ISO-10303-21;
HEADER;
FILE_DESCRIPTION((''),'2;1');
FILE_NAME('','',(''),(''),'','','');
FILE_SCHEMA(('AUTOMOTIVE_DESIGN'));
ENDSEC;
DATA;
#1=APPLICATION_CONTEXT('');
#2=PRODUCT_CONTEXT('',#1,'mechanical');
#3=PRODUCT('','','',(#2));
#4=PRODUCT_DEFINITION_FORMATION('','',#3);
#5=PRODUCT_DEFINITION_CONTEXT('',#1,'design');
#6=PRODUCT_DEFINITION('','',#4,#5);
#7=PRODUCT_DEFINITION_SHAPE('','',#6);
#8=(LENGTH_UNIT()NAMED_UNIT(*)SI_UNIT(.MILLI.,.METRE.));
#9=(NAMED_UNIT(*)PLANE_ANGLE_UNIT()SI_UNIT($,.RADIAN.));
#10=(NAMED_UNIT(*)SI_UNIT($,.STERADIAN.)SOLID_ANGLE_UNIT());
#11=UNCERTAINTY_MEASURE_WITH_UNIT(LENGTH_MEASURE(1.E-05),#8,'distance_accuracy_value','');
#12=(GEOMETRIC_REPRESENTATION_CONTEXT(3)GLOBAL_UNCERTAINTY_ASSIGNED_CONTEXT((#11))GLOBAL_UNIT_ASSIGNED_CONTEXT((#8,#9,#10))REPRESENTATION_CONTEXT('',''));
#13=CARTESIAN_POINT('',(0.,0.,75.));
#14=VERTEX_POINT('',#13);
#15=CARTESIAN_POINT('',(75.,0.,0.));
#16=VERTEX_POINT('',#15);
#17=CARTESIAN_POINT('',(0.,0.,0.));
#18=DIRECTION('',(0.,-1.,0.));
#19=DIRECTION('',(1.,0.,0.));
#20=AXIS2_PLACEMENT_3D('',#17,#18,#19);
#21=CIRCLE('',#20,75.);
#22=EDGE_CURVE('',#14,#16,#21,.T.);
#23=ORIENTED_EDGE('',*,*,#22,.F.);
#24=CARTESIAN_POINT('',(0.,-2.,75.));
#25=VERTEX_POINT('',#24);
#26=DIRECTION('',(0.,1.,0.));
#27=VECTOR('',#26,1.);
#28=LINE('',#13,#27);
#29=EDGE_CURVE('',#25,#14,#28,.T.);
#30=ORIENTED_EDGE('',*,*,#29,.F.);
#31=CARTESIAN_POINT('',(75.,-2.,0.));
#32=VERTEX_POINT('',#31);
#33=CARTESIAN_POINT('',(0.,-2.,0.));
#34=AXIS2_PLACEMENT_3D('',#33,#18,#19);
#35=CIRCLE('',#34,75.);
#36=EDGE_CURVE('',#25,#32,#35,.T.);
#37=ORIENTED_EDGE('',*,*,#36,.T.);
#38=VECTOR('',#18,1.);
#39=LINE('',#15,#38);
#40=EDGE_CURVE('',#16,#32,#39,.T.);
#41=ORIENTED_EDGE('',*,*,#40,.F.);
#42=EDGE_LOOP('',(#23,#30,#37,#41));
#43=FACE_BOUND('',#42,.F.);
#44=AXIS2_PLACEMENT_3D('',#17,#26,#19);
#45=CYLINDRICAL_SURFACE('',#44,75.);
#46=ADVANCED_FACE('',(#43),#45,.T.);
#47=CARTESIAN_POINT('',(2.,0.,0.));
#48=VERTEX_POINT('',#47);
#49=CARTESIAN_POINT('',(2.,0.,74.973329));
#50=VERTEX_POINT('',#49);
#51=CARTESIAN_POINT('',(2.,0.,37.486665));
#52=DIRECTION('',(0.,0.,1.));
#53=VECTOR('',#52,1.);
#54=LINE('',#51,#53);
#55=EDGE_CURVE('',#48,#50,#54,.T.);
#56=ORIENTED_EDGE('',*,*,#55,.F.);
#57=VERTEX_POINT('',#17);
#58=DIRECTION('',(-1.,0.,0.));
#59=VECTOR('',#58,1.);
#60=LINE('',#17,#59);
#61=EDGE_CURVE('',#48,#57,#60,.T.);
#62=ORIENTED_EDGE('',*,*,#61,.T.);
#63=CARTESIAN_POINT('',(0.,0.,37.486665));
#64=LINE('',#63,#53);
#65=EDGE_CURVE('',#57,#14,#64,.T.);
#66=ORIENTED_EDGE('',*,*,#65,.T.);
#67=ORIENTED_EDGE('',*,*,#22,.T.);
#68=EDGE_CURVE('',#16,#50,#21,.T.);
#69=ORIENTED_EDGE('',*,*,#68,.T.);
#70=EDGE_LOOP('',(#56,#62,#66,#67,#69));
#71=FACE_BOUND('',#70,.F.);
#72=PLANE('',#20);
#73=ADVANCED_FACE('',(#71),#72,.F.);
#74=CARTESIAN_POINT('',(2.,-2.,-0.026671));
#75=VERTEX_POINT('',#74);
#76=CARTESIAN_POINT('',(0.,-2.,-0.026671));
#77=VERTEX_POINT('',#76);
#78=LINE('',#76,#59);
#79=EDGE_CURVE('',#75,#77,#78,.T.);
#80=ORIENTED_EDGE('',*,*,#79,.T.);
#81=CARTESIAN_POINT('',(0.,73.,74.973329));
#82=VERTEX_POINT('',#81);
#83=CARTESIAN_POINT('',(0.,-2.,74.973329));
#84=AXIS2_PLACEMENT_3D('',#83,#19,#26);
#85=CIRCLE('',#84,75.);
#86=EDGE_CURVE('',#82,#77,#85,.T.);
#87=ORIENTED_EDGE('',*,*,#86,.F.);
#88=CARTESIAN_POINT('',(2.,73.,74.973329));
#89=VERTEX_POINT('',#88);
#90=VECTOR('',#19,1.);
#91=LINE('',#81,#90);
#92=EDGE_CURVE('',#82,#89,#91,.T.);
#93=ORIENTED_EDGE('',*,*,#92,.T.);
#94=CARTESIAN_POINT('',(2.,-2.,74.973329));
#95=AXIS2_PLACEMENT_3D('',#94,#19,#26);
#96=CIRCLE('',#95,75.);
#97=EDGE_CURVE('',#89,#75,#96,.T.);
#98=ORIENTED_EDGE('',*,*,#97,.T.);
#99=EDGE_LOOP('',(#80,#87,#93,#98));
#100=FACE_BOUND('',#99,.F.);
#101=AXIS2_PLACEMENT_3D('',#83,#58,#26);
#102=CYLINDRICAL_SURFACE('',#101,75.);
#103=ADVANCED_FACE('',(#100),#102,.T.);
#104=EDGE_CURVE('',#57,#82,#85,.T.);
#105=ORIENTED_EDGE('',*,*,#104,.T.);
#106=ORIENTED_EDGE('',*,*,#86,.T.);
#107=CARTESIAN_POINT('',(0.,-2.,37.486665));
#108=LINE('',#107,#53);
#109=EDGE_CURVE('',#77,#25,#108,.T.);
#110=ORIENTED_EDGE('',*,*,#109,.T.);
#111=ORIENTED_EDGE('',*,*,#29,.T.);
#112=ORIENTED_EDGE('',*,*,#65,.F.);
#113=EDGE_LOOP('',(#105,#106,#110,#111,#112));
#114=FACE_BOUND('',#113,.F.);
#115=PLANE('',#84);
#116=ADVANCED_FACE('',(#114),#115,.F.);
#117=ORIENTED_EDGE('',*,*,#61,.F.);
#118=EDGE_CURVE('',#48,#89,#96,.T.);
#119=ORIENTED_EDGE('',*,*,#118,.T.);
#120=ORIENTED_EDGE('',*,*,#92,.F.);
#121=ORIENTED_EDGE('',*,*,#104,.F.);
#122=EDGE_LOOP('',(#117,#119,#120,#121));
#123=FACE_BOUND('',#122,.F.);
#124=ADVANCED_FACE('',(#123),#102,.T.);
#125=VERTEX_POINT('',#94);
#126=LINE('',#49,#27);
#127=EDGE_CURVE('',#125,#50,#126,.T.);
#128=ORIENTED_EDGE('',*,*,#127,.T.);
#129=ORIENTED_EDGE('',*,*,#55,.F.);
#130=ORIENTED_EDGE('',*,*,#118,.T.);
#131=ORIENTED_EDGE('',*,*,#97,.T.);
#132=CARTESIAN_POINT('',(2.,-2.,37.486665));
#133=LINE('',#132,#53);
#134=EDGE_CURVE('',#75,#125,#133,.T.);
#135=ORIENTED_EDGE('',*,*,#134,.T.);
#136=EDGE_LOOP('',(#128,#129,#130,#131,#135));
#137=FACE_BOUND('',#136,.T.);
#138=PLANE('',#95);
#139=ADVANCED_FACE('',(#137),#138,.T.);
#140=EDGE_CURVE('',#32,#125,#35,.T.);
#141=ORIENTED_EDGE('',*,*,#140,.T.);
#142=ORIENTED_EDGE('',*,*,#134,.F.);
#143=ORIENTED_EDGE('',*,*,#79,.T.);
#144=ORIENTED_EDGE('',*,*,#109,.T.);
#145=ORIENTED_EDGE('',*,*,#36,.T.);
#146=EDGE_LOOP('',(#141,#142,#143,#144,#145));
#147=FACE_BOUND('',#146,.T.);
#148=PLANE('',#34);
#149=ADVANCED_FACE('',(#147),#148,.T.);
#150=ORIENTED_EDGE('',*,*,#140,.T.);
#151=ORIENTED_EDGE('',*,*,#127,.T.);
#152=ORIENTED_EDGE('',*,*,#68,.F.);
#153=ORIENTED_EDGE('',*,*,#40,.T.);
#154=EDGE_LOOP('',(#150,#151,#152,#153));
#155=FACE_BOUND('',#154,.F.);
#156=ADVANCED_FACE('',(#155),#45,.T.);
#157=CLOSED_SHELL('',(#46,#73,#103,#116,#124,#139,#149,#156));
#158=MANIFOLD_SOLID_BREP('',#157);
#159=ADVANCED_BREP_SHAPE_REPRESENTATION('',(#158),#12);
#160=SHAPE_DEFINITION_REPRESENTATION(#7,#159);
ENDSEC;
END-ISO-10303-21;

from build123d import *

# Parameters (mm, degrees)
F0_R     = 75
F1_DEPTH = 2
F2_R     = 75
F3_DEPTH = 2


with BuildPart() as f1:
    # F0 (on Front) → F1 (new body)
    with BuildSketch(Plane.XZ):
        Circle(F0_R)
    extrude(amount=F1_DEPTH)

    # F2 (on Right) → F3 (join)
    with BuildSketch(Plane.YZ):
        with Locations((-2, 74.973329)):
            Circle(F2_R)
    extrude(amount=F3_DEPTH)


solid = f1.part
